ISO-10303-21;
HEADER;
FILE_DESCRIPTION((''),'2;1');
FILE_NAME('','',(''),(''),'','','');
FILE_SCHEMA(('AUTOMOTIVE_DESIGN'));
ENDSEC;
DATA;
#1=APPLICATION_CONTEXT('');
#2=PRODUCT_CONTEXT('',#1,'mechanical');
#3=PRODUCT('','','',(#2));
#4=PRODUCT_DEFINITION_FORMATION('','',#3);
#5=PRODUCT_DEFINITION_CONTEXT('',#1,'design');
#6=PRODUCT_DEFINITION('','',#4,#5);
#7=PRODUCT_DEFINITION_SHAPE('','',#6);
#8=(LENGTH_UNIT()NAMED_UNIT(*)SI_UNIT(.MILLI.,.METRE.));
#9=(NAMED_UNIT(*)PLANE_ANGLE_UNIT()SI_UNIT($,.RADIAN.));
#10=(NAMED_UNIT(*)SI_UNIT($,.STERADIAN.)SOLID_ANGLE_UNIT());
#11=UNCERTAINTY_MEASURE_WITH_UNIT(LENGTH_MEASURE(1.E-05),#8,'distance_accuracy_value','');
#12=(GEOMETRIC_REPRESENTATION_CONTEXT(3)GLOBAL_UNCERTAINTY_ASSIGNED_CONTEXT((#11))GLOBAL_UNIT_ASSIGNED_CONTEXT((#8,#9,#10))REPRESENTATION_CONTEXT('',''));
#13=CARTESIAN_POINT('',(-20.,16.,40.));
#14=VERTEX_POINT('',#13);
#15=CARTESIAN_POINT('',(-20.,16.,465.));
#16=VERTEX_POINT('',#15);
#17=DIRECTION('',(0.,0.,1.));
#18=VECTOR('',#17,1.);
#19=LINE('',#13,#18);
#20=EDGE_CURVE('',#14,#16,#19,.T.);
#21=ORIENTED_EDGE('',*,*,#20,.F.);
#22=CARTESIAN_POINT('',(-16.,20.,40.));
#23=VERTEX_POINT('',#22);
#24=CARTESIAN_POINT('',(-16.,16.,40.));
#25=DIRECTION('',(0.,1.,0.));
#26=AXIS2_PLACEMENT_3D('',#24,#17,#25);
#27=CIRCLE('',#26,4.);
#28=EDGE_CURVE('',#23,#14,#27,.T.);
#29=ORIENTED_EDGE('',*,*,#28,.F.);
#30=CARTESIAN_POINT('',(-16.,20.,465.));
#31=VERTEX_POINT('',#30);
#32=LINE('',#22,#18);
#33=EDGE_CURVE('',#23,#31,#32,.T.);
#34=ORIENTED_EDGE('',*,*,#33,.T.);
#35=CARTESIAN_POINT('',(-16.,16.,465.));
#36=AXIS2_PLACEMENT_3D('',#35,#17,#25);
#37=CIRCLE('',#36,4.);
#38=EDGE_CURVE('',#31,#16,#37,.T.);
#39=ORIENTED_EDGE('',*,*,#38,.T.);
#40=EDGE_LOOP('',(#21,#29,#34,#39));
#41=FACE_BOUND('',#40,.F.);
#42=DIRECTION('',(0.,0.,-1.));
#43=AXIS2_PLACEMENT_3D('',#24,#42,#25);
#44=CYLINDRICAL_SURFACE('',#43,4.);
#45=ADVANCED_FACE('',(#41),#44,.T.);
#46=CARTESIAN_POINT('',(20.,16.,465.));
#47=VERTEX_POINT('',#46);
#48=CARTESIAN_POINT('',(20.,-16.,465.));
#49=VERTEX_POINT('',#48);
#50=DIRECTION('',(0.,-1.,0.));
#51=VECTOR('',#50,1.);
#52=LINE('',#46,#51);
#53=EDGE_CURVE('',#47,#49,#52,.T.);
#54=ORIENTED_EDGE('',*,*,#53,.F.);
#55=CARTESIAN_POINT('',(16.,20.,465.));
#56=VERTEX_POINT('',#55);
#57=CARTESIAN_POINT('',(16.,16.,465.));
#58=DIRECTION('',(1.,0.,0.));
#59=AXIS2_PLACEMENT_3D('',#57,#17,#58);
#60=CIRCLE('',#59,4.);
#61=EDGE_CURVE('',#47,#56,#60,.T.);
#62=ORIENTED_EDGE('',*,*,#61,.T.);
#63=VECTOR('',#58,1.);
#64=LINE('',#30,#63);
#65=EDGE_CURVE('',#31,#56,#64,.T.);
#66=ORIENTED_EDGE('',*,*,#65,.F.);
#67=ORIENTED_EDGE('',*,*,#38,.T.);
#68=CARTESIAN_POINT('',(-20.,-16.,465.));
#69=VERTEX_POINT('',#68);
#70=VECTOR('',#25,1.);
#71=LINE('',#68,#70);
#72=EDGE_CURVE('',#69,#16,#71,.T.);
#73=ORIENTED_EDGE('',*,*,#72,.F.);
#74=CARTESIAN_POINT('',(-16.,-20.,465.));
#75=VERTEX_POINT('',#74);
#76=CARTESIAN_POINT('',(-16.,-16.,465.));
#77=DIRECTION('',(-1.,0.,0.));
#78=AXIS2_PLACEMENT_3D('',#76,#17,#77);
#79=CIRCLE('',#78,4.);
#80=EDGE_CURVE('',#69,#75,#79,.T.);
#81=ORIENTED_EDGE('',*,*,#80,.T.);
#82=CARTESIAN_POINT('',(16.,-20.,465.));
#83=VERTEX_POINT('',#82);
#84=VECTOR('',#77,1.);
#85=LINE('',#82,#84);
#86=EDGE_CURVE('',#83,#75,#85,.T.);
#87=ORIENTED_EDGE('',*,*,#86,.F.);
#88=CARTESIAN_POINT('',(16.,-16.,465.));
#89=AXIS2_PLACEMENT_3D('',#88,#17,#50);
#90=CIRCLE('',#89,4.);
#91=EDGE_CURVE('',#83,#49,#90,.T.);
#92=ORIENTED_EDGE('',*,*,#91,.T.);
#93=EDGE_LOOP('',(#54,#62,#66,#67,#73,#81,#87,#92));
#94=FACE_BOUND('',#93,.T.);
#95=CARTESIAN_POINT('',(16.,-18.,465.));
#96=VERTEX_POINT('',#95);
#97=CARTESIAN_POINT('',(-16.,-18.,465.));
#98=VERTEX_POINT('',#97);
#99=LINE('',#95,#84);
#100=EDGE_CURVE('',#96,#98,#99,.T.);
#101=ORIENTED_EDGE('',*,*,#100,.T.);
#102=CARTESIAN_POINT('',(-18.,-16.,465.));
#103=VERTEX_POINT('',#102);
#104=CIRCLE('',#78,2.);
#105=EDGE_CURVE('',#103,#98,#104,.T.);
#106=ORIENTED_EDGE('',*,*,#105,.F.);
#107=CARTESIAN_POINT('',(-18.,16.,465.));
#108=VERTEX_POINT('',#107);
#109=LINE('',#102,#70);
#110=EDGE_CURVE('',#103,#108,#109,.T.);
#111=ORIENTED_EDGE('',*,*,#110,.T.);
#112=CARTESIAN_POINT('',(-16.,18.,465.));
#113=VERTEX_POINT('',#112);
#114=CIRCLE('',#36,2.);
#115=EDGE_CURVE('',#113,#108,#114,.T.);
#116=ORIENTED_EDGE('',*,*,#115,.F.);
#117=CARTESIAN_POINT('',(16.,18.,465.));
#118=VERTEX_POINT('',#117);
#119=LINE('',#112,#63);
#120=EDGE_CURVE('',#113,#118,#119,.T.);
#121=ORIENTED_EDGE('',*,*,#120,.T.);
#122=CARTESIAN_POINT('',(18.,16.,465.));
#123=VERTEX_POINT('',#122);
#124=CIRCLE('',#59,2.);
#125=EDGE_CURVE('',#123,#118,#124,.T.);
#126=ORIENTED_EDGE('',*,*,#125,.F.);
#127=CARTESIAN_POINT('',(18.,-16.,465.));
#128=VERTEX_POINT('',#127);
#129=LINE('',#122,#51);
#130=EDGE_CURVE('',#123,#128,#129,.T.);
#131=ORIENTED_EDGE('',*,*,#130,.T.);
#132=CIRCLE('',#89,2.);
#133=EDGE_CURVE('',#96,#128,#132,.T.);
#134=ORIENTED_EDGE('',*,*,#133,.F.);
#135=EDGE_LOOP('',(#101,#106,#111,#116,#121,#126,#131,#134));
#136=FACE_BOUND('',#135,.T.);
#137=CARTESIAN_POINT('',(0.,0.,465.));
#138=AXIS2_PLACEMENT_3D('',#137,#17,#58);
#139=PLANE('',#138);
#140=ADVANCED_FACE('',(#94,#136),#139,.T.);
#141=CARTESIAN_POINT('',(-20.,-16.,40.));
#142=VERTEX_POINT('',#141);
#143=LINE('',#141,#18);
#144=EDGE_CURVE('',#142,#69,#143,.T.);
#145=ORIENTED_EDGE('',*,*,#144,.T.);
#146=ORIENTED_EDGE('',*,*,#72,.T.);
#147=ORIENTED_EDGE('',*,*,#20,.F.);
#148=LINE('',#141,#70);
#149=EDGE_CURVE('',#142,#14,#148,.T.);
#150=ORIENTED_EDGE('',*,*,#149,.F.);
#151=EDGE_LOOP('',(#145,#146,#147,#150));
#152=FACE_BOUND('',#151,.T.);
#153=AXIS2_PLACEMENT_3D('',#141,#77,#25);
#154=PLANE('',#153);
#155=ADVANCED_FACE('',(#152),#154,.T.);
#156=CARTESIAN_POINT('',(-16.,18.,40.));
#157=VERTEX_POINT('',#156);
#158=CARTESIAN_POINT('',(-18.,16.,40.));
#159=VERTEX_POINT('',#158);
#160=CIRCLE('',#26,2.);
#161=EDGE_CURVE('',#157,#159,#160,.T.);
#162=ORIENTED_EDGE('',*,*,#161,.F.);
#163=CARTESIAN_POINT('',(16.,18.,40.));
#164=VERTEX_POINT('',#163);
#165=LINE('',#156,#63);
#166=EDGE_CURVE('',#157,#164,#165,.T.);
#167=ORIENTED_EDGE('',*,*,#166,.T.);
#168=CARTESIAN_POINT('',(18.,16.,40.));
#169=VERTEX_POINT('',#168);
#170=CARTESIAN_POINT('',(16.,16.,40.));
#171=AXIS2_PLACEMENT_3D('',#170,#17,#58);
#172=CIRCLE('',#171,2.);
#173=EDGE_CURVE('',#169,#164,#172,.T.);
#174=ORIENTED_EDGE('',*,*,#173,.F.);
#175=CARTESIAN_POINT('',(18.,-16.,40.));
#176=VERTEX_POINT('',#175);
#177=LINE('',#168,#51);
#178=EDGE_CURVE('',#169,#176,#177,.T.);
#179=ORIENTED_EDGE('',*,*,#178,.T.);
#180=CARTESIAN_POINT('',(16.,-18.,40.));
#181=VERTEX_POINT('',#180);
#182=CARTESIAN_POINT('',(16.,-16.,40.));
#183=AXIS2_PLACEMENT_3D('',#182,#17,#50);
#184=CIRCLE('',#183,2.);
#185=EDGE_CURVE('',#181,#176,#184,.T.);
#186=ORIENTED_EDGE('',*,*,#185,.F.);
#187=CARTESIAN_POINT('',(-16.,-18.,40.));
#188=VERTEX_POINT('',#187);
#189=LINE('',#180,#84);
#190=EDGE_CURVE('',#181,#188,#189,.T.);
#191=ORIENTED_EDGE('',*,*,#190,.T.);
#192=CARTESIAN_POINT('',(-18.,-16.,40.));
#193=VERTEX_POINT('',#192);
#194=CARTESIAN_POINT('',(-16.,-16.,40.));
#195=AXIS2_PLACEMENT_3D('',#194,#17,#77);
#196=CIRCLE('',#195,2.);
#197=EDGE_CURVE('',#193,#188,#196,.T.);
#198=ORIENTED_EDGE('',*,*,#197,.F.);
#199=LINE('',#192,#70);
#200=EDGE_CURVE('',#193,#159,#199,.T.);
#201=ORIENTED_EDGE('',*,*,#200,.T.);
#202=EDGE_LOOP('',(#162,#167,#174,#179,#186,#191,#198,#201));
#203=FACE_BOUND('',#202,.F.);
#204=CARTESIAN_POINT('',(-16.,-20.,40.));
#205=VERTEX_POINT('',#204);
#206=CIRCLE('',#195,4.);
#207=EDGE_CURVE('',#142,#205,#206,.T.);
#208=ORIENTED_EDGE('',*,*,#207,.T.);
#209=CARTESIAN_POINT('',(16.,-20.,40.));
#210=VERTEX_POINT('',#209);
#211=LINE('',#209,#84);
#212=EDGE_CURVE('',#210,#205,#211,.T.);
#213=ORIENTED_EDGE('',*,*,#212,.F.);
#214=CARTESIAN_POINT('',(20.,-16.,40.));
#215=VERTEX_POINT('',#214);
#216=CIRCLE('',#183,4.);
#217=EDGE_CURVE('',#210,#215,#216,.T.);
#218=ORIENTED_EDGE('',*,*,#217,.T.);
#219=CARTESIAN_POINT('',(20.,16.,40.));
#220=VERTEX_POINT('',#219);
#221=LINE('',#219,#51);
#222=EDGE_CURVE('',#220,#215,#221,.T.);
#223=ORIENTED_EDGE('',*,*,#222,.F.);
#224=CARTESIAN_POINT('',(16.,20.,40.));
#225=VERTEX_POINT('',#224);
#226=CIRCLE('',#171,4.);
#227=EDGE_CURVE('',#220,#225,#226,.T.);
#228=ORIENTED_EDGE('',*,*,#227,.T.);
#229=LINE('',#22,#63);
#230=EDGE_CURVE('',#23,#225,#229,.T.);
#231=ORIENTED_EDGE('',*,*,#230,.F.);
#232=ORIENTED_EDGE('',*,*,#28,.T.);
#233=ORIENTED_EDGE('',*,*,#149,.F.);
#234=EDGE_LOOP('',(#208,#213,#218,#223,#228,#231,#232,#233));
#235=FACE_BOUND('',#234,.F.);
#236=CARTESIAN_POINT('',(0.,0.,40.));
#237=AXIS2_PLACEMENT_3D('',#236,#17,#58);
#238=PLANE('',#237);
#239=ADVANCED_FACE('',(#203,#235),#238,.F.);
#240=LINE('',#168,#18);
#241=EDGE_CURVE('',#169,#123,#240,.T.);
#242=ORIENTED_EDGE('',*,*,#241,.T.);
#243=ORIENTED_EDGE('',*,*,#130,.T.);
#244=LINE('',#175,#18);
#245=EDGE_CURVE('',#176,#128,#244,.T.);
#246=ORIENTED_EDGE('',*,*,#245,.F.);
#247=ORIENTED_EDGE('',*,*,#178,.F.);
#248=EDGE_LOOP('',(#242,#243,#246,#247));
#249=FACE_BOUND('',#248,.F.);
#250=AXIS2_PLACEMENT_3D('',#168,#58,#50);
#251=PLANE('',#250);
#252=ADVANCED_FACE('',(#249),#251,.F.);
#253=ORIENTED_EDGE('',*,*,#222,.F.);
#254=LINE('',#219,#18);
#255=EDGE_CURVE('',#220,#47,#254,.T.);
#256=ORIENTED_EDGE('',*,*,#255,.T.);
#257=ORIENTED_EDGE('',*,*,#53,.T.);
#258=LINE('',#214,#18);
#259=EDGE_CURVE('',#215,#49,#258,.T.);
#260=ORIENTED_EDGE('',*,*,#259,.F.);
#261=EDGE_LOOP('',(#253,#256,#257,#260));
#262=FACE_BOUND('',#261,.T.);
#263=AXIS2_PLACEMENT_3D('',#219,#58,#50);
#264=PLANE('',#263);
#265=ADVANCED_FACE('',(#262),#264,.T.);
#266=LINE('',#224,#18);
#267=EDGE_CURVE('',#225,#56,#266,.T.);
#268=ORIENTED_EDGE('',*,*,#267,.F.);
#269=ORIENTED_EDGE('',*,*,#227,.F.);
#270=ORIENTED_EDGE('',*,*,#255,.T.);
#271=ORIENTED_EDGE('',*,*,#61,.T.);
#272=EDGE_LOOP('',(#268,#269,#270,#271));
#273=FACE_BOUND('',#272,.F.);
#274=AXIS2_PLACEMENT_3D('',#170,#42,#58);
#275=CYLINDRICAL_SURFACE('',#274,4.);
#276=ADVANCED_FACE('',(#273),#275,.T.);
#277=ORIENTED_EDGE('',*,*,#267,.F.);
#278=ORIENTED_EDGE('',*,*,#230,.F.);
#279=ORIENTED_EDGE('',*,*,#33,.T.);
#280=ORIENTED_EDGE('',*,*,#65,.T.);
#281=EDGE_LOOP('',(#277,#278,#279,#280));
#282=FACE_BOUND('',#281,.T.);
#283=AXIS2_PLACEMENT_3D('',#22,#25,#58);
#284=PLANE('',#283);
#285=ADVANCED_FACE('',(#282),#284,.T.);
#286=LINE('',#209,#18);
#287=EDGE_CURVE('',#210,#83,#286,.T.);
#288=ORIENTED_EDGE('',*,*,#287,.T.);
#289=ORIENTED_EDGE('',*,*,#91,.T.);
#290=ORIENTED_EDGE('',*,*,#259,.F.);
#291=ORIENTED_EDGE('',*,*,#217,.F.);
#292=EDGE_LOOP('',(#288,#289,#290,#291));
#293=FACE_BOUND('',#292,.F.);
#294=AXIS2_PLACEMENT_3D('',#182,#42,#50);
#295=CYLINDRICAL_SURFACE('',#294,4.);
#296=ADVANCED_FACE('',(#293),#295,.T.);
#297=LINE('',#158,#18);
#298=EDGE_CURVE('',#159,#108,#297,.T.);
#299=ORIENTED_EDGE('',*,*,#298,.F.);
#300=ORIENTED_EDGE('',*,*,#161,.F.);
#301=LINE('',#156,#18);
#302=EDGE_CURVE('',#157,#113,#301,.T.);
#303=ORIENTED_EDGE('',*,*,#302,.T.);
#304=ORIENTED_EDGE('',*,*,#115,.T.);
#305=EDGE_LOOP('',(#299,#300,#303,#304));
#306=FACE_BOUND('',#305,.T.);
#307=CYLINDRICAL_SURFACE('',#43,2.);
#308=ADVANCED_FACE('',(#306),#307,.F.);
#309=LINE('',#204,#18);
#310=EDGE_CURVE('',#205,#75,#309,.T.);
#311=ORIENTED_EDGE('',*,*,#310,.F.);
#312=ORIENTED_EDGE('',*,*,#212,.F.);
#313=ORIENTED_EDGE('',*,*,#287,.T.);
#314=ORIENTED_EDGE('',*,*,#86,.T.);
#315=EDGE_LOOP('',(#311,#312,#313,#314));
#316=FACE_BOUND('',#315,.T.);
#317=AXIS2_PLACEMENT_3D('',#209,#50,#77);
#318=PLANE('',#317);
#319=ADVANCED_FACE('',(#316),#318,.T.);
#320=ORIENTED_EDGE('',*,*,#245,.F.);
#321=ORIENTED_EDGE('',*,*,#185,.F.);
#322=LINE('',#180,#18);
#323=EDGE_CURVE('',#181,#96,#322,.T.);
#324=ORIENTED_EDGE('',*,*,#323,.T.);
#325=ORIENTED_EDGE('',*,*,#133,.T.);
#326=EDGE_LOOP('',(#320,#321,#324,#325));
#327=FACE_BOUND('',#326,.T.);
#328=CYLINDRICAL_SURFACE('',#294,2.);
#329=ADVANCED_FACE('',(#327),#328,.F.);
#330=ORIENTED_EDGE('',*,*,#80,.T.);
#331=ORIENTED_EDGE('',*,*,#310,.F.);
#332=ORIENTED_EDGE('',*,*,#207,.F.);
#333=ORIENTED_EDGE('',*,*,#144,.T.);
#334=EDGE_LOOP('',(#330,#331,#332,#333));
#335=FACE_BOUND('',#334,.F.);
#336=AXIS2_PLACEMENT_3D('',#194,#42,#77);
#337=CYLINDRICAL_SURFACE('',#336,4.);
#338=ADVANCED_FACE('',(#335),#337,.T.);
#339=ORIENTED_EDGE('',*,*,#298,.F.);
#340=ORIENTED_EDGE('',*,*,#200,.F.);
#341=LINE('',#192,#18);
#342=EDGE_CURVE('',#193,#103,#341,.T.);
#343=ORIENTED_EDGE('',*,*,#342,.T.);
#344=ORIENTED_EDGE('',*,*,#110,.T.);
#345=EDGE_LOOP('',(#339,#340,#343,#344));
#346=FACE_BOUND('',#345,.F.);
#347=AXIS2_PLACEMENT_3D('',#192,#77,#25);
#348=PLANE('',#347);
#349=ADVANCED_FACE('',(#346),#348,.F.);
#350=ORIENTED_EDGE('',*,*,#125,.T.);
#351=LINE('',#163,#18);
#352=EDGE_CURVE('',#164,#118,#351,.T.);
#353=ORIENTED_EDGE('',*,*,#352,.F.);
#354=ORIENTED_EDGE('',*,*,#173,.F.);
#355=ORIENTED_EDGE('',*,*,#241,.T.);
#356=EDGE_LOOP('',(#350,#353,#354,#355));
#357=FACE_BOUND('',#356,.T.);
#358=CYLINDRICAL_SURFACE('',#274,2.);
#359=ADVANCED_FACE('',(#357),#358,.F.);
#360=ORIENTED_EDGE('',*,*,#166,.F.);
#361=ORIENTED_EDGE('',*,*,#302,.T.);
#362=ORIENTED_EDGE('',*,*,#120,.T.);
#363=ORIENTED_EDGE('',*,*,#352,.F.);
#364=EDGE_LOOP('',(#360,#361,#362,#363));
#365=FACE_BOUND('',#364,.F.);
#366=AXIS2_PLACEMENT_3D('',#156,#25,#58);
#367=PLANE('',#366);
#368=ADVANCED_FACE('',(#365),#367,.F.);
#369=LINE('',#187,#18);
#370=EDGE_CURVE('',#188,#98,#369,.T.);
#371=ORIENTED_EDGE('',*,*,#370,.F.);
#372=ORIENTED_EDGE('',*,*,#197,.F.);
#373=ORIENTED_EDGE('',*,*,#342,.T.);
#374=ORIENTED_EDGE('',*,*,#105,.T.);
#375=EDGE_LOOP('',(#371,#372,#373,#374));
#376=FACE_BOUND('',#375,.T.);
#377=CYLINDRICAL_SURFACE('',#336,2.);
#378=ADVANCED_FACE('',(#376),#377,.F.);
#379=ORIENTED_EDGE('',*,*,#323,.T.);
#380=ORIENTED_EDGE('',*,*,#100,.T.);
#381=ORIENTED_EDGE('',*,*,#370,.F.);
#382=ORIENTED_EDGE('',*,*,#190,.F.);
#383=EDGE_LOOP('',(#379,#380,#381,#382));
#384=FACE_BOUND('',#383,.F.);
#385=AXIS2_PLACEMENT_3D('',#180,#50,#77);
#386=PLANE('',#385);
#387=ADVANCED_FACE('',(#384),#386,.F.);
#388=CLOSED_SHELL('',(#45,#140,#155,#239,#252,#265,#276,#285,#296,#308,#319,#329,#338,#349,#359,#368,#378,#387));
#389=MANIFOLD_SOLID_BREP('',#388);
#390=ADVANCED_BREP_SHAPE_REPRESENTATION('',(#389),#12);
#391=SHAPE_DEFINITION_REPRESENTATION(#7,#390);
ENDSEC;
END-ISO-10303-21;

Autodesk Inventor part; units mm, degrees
ref_plane "YZ Plane" through (0, 0, 0) normal (1, 0, 0) x (0, 1, 0)
ref_plane "Start Plane" through (0, 0, 40) normal (0, 0, 1) x (1, 0, 0)
ref_plane "End Plane" through (0, 0, 465) normal (0, 0, 1) x (1, 0, 0)
sketch "Sketch" plane through (0, 0, 0) normal (0, 0, 1) x (1, 0, 0)
  line L0 (-20, -16) -> (-20, 16)
  line L1 (-16, 20) -> (16, 20)
  line L2 (20, 16) -> (20, -16)
  line L3 (16, -20) -> (-16, -20)
  arc A0 (-20, -16) -> (-16, -20) centre (-16, -16) ccw
  arc A1 (20, 16) -> (16, 20) centre (16, 16) ccw
  arc A2 (-16, 20) -> (-20, 16) centre (-16, 16) ccw
  arc A3 (16, -20) -> (20, -16) centre (16, -16) ccw
  arc A4 (-16, 18) -> (-18, 16) centre (-16, 16) ccw
  line L4 (-16, 18) -> (16, 18)
  arc A5 (18, 16) -> (16, 18) centre (16, 16) ccw
  line L5 (18, 16) -> (18, -16)
  arc A6 (16, -18) -> (18, -16) centre (16, -16) ccw
  line L6 (16, -18) -> (-16, -18)
  arc A7 (-18, -16) -> (-16, -18) centre (-16, -16) ccw
  line L7 (-18, -16) -> (-18, 16)
  line L8 (0, 29.1598) -> (0, -29.1598) construction
  line L9 (-29.1598, 0) -> (29.1598, 0) construction
  dimension "d7" = 4
  dimension "d9" = 40
  dimension "d11" = 40
  dimension "d12" = 2
  dimension "d15" = 20
  dimension "d16" = 20
extrude "Body" add sketch "Sketch" along normal up to surface (425 mm away) from surface at 40
sketch "Sketch3" plane through (0, 0, 0) normal (0, 0, 1) x (1, 0, 0)
  line L0 (0, 0) -> (10, 0)
ref_plane "Work Plane3" through (0, 0, 0) normal (0, -1, 0) x (1, 0, 0)
sketch "Sketch4" plane through (0, 0, 0) normal (0, -1, 0) x (1, 0, 0)
  line L0 (-2, 40) -> (12, 40) projected
  line L1 (-2, 465) -> (12, 465) projected
  dimension "d18" = 425
equation "\"d7\" = G_IR"
equation "\"d9\" = G_W"
equation "\"d11\" = G_H"
equation "\"d12\" = G_T"
equation "\"d15\" = 0.5 * d9"
equation "\"d16\" = 0.5 * d11"
equation "\"d3\" = G_L"
equation "\"G_W\" = 40"
equation "\"G_H\" = 40"
equation "\"G_T\" = 2"
equation "\"G_IR\" = 4"
equation "\"G_L\" = d18"
equation "\"d14\" = G_OFFSET_END + B_L"
equation "\"B_L\" = 485"
equation "\"G_OFFSET_END\" = -20"
properties part number "ISO 10799-2 - 40x40x2 - 425" material "Stainless Steel"
